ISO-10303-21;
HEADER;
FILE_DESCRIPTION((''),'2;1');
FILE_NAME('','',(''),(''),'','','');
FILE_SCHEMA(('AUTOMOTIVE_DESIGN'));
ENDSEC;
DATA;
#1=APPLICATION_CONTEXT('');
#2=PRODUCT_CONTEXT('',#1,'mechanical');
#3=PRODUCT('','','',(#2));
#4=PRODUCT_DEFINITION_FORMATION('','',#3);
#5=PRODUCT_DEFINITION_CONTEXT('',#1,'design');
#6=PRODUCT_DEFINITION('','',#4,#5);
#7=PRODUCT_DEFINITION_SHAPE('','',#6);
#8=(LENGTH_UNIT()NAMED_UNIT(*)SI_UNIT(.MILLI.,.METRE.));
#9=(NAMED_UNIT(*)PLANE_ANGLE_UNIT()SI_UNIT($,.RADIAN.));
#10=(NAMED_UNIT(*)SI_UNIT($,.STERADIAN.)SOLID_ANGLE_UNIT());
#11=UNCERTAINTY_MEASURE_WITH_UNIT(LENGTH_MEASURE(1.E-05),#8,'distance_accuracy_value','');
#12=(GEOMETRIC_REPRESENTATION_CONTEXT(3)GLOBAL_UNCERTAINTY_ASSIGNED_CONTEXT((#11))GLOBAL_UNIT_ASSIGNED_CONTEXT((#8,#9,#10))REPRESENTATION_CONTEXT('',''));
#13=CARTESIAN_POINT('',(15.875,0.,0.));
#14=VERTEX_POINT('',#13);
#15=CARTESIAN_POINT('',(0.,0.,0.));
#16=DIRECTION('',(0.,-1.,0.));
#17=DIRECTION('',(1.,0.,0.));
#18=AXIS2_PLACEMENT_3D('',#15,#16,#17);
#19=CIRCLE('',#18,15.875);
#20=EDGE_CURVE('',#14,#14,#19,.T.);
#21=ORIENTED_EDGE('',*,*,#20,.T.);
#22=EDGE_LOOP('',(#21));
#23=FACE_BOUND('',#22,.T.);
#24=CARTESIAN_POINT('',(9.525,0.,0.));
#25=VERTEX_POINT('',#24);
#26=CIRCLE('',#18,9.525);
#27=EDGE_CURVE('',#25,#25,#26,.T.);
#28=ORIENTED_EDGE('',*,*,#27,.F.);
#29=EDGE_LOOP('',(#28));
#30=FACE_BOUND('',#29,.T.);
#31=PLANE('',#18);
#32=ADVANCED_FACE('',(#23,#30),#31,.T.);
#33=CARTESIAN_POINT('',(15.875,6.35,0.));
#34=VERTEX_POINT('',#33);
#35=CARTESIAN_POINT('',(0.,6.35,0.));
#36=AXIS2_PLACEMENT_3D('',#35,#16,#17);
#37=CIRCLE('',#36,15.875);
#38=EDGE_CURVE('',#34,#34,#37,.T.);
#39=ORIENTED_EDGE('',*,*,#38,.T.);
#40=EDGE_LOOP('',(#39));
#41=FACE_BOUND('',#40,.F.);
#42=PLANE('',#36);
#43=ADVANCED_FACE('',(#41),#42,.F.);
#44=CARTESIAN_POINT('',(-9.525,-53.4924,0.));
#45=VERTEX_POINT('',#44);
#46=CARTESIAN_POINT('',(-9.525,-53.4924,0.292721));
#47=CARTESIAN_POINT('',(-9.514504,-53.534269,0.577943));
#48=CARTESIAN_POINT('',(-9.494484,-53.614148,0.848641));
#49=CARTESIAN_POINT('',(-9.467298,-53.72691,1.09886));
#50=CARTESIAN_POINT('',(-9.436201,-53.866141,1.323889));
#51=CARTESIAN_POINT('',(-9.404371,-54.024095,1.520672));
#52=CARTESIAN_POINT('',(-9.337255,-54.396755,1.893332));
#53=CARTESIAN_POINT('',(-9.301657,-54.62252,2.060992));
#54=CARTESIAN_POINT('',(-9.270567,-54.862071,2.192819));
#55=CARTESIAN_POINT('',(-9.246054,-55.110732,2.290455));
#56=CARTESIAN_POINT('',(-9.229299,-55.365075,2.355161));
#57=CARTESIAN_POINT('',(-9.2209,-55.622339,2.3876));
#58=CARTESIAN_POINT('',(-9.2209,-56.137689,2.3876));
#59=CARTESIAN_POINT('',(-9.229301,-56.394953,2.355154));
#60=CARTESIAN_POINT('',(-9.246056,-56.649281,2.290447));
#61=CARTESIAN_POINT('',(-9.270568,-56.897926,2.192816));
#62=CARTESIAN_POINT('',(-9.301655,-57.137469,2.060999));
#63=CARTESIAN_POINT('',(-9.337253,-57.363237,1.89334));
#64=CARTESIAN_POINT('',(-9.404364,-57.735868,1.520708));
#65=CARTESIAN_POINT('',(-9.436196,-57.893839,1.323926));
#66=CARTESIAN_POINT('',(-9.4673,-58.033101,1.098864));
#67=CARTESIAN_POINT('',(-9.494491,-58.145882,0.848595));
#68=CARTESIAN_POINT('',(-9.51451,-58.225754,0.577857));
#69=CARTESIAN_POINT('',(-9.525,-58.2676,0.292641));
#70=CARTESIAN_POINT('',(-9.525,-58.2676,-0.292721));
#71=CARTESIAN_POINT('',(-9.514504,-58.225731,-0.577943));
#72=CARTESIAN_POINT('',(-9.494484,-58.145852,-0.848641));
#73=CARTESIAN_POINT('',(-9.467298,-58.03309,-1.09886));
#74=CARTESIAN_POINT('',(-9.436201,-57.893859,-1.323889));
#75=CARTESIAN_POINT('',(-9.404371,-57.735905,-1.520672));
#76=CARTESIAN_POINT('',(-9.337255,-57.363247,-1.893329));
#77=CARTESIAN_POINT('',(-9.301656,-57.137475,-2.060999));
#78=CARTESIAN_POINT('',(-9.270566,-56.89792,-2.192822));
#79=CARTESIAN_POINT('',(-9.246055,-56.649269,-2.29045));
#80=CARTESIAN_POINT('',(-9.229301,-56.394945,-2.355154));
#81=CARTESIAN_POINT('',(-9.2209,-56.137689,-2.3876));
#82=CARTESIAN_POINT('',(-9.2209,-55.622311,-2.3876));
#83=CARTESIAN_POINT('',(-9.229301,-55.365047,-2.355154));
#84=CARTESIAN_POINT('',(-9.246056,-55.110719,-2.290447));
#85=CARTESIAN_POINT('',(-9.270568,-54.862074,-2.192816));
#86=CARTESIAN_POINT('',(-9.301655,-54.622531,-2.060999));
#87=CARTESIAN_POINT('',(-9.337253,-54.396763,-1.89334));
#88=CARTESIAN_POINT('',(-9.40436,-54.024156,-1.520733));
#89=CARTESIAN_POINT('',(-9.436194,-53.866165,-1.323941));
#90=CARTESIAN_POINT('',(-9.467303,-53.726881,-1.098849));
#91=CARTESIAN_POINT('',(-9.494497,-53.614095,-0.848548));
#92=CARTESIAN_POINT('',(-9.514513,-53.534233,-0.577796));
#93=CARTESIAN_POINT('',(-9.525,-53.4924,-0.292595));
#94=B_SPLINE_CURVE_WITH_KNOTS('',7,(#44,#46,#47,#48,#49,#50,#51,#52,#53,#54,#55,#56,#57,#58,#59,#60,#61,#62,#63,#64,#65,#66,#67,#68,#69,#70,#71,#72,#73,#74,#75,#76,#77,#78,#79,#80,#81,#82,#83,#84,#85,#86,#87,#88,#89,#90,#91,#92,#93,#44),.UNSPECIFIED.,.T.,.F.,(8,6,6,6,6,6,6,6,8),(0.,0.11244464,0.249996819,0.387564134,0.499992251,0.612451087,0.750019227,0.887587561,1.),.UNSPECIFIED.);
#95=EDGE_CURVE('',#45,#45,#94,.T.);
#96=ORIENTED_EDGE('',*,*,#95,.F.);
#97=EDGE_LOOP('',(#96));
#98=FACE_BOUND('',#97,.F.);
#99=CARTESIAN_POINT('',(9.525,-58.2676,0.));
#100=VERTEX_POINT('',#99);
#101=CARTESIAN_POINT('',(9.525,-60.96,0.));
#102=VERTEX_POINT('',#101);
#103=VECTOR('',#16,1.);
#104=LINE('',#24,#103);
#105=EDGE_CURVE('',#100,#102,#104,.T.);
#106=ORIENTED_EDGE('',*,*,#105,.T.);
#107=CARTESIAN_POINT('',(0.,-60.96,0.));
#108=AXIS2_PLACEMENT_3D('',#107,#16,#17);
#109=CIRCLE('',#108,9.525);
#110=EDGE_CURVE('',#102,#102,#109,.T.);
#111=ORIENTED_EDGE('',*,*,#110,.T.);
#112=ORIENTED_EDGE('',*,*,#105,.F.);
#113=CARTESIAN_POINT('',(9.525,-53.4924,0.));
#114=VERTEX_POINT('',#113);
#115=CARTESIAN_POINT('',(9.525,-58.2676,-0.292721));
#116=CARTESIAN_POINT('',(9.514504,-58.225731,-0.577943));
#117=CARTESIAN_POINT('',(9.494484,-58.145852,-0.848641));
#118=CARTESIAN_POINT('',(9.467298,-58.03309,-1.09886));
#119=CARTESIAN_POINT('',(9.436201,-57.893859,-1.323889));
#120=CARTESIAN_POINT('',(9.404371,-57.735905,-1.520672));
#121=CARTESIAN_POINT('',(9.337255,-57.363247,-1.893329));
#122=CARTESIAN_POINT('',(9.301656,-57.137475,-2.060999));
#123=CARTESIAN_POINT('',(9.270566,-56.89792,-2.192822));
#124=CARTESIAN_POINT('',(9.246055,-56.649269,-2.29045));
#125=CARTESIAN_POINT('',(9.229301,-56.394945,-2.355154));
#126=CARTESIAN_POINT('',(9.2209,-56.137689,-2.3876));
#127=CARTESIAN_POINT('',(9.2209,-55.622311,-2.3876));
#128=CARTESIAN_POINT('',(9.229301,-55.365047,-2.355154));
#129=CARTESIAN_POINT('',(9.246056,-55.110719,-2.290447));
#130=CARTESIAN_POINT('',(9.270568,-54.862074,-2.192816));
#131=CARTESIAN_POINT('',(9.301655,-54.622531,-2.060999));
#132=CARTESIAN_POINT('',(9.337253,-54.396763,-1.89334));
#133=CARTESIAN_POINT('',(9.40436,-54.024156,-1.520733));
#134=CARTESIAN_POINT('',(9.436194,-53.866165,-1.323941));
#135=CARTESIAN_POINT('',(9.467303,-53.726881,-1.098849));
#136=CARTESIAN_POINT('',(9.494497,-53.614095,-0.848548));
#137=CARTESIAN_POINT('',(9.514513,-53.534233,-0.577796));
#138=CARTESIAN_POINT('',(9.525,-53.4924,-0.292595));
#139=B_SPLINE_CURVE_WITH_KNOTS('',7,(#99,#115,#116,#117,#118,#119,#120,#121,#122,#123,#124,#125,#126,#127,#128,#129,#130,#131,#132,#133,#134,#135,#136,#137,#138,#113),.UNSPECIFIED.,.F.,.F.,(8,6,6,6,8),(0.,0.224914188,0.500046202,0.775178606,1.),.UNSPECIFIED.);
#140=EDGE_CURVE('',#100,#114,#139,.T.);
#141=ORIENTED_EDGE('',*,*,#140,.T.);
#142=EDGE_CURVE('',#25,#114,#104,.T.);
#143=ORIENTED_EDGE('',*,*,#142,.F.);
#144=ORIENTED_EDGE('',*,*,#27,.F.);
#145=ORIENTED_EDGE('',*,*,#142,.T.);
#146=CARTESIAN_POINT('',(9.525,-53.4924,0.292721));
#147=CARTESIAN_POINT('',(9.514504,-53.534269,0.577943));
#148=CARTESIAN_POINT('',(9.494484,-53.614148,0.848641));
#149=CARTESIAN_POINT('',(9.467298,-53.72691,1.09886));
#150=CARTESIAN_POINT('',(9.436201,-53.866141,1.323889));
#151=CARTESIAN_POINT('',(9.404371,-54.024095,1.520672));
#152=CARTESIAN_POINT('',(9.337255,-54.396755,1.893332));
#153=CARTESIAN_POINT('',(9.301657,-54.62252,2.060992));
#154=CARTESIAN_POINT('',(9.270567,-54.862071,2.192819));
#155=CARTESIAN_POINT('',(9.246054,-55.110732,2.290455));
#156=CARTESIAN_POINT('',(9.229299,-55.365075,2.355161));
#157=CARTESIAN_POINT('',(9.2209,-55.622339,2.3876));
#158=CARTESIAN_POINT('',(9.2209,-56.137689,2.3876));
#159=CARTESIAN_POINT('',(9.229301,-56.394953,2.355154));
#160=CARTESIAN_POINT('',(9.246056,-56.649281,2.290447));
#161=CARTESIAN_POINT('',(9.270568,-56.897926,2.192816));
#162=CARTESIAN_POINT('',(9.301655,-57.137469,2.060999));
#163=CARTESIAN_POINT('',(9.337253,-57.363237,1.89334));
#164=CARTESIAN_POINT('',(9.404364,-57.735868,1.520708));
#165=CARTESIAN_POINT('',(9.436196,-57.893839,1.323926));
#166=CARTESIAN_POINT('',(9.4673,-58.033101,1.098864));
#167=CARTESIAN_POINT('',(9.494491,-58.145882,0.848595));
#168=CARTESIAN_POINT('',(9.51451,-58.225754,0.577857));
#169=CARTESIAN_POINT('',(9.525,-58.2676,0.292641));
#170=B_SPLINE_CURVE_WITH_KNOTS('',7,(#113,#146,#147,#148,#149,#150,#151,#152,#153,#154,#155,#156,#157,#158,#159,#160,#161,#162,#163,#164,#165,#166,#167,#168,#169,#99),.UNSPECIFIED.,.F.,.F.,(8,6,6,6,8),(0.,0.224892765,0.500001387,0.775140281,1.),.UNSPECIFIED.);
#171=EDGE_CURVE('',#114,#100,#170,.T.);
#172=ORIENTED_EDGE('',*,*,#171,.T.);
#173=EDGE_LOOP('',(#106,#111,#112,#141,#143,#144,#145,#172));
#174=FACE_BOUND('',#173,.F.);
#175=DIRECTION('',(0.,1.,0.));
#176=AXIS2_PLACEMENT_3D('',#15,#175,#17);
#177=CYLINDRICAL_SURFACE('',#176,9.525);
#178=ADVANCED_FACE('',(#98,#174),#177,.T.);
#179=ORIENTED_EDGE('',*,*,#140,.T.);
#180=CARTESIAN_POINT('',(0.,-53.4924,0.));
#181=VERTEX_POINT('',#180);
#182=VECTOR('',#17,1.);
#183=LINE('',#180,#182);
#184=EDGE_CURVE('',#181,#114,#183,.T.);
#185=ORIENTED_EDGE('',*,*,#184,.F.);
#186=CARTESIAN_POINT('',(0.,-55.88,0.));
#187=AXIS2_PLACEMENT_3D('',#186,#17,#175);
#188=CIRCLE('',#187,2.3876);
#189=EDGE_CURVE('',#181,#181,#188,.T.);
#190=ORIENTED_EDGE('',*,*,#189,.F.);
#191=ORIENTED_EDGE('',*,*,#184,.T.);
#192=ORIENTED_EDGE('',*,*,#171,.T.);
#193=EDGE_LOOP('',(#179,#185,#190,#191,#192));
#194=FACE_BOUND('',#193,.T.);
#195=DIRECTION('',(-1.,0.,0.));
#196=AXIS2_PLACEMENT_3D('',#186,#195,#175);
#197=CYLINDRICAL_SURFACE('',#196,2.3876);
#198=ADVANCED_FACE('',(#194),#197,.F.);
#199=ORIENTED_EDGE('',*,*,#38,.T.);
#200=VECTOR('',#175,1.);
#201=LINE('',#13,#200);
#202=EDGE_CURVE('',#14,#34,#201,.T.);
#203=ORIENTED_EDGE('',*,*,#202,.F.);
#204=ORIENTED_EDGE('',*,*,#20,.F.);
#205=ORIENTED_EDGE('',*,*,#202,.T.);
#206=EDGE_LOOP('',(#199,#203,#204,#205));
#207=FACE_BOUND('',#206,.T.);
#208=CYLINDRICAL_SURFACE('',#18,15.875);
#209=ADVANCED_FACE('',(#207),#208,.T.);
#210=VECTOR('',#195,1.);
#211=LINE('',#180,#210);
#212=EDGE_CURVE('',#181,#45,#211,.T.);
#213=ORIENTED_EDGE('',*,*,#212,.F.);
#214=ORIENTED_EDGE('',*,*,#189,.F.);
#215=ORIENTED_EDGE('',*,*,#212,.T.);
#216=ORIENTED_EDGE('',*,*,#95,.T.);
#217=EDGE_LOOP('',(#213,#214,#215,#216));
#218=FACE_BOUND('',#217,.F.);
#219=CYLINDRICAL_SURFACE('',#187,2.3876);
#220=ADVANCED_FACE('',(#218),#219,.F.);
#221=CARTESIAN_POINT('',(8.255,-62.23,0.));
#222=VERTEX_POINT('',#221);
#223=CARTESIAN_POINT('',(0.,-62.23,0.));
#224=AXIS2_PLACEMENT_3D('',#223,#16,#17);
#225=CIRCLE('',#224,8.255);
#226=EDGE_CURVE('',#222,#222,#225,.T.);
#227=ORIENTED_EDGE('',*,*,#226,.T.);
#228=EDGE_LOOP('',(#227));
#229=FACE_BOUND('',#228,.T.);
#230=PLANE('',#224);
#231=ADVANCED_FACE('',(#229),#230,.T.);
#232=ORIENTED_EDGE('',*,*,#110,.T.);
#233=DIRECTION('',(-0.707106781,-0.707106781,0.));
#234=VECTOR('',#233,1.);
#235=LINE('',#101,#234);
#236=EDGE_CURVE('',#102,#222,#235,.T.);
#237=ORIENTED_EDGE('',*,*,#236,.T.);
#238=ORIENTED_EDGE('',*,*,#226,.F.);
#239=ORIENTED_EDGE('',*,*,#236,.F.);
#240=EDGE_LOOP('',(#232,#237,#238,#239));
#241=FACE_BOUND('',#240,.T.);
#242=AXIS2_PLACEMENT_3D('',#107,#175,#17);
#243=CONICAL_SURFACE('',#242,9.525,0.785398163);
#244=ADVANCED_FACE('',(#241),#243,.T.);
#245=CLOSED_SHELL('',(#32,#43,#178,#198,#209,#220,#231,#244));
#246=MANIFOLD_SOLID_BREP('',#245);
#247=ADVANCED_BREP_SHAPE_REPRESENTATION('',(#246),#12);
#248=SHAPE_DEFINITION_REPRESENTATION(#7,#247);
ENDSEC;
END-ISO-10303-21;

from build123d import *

# Parameters (mm, degrees)
F0_R          = 15.875
F0_R_2        = 9.525
F1_DEPTH      = 6.35
F2_DEPTH      = 62.23
F3_R          = 2.3876
F4_DEPTH      = 25.4
F4_DEPTH_BACK = 25.4
F5_SIZE2      = 1.27
F5_SIZE       = 1.27


with BuildPart() as f1:
    # F0 (on Front) → F1 (new body)
    with BuildSketch(Plane.XZ):
        Circle(F0_R)
        Circle(F0_R_2, mode=Mode.SUBTRACT)
        Circle(F0_R_2)
    extrude(amount=-F1_DEPTH)

    # F0 (on Front) → F2 (join)
    with BuildSketch(Plane.XZ):
        Circle(F0_R_2)
    extrude(amount=F2_DEPTH)

    # F3 (on Right) → F4 (cut, two sides)
    with BuildSketch(Plane.YZ) as f4_sk:
        with Locations((-55.88, 0)):
            Circle(F3_R)
    extrude(amount=-F4_DEPTH, mode=Mode.SUBTRACT)
    extrude(f4_sk.sketch, amount=F4_DEPTH_BACK, mode=Mode.SUBTRACT)

    # F5
    f5_edges = [f1.edges().sort_by_distance(p)[0] for p in [
        (-9.525, -62.23, 0),
    ]]
    chamfer(f5_edges, length=F5_SIZE, length2=F5_SIZE2)


solid = f1.part
